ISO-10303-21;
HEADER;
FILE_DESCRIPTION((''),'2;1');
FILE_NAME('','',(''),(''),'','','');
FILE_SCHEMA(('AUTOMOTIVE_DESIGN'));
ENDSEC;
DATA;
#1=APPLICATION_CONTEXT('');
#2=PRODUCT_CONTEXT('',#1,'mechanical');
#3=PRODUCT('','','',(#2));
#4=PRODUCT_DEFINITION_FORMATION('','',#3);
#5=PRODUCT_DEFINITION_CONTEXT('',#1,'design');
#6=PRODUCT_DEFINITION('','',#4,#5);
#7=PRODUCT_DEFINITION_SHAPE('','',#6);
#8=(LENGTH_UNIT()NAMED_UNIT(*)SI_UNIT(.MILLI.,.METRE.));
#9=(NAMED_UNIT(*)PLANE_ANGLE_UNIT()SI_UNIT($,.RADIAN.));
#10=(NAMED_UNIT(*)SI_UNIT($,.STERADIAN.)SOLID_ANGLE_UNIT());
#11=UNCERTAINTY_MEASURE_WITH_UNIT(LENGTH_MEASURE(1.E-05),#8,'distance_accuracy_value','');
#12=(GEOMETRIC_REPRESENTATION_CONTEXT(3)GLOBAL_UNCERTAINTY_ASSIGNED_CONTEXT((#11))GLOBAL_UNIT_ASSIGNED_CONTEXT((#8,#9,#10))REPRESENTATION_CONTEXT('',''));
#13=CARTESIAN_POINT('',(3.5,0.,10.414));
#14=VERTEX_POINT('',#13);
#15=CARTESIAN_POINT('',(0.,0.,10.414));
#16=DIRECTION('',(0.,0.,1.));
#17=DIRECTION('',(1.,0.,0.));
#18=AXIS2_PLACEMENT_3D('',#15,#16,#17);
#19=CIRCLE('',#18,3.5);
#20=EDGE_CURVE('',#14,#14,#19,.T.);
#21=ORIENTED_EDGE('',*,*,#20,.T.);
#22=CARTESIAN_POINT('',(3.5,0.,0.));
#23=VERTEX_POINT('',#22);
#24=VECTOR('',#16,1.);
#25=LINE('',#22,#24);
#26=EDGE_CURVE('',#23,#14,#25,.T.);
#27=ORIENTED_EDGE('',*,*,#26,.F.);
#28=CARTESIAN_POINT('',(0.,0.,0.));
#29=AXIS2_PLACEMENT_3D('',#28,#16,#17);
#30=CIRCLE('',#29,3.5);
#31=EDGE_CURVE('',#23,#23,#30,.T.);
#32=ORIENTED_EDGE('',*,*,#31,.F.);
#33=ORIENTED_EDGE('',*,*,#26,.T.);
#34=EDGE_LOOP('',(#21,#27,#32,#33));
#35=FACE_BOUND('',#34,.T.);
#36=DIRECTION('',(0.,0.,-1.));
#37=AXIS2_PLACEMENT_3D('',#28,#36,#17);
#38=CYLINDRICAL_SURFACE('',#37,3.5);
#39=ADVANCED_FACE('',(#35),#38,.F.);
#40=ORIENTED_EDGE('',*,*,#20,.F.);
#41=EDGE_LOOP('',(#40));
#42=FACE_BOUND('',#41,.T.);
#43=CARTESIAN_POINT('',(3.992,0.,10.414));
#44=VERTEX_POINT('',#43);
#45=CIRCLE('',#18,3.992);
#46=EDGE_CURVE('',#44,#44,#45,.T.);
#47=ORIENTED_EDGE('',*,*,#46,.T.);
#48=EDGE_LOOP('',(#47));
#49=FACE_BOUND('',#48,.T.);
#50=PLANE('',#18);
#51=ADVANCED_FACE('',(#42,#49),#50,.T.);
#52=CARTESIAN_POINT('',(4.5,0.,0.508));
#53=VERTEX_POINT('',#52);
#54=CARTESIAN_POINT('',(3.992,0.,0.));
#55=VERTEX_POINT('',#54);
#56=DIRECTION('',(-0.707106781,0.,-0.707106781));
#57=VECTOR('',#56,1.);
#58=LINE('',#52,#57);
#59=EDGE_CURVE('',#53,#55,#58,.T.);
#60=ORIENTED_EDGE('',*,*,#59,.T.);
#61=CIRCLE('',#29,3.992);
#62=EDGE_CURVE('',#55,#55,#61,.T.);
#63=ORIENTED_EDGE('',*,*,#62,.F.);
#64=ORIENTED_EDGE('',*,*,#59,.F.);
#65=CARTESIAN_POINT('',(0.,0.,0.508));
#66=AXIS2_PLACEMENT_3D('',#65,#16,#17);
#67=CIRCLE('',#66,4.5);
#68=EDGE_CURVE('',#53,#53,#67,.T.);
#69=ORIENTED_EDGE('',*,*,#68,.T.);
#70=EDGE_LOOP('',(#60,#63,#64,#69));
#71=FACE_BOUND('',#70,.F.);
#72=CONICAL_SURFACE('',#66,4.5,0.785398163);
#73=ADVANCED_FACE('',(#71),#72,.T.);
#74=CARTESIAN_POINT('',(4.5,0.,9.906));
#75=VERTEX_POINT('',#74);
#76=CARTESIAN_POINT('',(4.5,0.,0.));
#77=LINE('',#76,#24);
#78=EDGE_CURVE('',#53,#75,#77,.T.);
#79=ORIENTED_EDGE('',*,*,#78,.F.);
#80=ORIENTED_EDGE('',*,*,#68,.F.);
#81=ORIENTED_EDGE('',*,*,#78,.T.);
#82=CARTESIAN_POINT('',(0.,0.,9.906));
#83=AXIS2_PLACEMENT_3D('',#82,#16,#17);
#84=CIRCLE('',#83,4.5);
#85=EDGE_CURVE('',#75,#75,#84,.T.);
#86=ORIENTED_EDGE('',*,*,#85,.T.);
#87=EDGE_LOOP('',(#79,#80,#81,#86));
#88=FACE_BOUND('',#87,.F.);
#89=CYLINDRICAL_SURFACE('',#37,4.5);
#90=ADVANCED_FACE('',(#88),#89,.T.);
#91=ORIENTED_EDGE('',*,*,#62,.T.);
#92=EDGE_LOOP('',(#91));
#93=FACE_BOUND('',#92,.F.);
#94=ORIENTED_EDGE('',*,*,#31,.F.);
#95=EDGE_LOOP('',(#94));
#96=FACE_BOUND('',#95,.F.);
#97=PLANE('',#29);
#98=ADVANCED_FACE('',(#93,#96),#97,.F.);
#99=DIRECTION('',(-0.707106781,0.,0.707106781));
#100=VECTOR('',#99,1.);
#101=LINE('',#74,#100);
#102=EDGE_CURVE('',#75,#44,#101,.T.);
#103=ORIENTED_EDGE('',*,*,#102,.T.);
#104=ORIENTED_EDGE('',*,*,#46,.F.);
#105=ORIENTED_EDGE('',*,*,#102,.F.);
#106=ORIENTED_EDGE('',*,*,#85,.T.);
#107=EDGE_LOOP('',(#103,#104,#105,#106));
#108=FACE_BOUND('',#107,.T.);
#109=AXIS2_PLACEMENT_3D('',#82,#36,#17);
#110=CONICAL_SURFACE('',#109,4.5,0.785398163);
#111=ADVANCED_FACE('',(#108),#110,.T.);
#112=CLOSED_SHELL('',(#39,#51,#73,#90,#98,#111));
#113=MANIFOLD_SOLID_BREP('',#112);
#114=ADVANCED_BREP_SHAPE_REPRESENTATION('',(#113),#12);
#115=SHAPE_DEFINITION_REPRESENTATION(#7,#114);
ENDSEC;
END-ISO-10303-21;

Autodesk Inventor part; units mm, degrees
ref_plane "YZ Plane" through (0, 0, 0) normal (1, 0, 0) x (0, 1, 0)
ref_plane "XZ Plane" through (0, 0, 0) normal (0, 1, 0) x (-1, 0, 0)
ref_plane "XY Plane" through (0, 0, 0) normal (0, 0, 1) x (1, 0, 0)
sketch "Sketch1" plane through (0, 0, 0) normal (0, 0, 1) x (1, 0, 0)
  circle A0 centre (0, 0) radius 3.5
  circle A1 centre (0, 0) radius 4.5
  dimension "d0" = 7
  dimension "d1" = 1
extrude "Extrusion1" add sketch "Sketch1" along normal blind 10.414
chamfer "Chamfer1" distance 0.508 angle 45 2 edges at (-4.5, 0, 10.414) (-4.5, 0, 0)
properties part number "Carriage Axle Design 2 Spacer"
